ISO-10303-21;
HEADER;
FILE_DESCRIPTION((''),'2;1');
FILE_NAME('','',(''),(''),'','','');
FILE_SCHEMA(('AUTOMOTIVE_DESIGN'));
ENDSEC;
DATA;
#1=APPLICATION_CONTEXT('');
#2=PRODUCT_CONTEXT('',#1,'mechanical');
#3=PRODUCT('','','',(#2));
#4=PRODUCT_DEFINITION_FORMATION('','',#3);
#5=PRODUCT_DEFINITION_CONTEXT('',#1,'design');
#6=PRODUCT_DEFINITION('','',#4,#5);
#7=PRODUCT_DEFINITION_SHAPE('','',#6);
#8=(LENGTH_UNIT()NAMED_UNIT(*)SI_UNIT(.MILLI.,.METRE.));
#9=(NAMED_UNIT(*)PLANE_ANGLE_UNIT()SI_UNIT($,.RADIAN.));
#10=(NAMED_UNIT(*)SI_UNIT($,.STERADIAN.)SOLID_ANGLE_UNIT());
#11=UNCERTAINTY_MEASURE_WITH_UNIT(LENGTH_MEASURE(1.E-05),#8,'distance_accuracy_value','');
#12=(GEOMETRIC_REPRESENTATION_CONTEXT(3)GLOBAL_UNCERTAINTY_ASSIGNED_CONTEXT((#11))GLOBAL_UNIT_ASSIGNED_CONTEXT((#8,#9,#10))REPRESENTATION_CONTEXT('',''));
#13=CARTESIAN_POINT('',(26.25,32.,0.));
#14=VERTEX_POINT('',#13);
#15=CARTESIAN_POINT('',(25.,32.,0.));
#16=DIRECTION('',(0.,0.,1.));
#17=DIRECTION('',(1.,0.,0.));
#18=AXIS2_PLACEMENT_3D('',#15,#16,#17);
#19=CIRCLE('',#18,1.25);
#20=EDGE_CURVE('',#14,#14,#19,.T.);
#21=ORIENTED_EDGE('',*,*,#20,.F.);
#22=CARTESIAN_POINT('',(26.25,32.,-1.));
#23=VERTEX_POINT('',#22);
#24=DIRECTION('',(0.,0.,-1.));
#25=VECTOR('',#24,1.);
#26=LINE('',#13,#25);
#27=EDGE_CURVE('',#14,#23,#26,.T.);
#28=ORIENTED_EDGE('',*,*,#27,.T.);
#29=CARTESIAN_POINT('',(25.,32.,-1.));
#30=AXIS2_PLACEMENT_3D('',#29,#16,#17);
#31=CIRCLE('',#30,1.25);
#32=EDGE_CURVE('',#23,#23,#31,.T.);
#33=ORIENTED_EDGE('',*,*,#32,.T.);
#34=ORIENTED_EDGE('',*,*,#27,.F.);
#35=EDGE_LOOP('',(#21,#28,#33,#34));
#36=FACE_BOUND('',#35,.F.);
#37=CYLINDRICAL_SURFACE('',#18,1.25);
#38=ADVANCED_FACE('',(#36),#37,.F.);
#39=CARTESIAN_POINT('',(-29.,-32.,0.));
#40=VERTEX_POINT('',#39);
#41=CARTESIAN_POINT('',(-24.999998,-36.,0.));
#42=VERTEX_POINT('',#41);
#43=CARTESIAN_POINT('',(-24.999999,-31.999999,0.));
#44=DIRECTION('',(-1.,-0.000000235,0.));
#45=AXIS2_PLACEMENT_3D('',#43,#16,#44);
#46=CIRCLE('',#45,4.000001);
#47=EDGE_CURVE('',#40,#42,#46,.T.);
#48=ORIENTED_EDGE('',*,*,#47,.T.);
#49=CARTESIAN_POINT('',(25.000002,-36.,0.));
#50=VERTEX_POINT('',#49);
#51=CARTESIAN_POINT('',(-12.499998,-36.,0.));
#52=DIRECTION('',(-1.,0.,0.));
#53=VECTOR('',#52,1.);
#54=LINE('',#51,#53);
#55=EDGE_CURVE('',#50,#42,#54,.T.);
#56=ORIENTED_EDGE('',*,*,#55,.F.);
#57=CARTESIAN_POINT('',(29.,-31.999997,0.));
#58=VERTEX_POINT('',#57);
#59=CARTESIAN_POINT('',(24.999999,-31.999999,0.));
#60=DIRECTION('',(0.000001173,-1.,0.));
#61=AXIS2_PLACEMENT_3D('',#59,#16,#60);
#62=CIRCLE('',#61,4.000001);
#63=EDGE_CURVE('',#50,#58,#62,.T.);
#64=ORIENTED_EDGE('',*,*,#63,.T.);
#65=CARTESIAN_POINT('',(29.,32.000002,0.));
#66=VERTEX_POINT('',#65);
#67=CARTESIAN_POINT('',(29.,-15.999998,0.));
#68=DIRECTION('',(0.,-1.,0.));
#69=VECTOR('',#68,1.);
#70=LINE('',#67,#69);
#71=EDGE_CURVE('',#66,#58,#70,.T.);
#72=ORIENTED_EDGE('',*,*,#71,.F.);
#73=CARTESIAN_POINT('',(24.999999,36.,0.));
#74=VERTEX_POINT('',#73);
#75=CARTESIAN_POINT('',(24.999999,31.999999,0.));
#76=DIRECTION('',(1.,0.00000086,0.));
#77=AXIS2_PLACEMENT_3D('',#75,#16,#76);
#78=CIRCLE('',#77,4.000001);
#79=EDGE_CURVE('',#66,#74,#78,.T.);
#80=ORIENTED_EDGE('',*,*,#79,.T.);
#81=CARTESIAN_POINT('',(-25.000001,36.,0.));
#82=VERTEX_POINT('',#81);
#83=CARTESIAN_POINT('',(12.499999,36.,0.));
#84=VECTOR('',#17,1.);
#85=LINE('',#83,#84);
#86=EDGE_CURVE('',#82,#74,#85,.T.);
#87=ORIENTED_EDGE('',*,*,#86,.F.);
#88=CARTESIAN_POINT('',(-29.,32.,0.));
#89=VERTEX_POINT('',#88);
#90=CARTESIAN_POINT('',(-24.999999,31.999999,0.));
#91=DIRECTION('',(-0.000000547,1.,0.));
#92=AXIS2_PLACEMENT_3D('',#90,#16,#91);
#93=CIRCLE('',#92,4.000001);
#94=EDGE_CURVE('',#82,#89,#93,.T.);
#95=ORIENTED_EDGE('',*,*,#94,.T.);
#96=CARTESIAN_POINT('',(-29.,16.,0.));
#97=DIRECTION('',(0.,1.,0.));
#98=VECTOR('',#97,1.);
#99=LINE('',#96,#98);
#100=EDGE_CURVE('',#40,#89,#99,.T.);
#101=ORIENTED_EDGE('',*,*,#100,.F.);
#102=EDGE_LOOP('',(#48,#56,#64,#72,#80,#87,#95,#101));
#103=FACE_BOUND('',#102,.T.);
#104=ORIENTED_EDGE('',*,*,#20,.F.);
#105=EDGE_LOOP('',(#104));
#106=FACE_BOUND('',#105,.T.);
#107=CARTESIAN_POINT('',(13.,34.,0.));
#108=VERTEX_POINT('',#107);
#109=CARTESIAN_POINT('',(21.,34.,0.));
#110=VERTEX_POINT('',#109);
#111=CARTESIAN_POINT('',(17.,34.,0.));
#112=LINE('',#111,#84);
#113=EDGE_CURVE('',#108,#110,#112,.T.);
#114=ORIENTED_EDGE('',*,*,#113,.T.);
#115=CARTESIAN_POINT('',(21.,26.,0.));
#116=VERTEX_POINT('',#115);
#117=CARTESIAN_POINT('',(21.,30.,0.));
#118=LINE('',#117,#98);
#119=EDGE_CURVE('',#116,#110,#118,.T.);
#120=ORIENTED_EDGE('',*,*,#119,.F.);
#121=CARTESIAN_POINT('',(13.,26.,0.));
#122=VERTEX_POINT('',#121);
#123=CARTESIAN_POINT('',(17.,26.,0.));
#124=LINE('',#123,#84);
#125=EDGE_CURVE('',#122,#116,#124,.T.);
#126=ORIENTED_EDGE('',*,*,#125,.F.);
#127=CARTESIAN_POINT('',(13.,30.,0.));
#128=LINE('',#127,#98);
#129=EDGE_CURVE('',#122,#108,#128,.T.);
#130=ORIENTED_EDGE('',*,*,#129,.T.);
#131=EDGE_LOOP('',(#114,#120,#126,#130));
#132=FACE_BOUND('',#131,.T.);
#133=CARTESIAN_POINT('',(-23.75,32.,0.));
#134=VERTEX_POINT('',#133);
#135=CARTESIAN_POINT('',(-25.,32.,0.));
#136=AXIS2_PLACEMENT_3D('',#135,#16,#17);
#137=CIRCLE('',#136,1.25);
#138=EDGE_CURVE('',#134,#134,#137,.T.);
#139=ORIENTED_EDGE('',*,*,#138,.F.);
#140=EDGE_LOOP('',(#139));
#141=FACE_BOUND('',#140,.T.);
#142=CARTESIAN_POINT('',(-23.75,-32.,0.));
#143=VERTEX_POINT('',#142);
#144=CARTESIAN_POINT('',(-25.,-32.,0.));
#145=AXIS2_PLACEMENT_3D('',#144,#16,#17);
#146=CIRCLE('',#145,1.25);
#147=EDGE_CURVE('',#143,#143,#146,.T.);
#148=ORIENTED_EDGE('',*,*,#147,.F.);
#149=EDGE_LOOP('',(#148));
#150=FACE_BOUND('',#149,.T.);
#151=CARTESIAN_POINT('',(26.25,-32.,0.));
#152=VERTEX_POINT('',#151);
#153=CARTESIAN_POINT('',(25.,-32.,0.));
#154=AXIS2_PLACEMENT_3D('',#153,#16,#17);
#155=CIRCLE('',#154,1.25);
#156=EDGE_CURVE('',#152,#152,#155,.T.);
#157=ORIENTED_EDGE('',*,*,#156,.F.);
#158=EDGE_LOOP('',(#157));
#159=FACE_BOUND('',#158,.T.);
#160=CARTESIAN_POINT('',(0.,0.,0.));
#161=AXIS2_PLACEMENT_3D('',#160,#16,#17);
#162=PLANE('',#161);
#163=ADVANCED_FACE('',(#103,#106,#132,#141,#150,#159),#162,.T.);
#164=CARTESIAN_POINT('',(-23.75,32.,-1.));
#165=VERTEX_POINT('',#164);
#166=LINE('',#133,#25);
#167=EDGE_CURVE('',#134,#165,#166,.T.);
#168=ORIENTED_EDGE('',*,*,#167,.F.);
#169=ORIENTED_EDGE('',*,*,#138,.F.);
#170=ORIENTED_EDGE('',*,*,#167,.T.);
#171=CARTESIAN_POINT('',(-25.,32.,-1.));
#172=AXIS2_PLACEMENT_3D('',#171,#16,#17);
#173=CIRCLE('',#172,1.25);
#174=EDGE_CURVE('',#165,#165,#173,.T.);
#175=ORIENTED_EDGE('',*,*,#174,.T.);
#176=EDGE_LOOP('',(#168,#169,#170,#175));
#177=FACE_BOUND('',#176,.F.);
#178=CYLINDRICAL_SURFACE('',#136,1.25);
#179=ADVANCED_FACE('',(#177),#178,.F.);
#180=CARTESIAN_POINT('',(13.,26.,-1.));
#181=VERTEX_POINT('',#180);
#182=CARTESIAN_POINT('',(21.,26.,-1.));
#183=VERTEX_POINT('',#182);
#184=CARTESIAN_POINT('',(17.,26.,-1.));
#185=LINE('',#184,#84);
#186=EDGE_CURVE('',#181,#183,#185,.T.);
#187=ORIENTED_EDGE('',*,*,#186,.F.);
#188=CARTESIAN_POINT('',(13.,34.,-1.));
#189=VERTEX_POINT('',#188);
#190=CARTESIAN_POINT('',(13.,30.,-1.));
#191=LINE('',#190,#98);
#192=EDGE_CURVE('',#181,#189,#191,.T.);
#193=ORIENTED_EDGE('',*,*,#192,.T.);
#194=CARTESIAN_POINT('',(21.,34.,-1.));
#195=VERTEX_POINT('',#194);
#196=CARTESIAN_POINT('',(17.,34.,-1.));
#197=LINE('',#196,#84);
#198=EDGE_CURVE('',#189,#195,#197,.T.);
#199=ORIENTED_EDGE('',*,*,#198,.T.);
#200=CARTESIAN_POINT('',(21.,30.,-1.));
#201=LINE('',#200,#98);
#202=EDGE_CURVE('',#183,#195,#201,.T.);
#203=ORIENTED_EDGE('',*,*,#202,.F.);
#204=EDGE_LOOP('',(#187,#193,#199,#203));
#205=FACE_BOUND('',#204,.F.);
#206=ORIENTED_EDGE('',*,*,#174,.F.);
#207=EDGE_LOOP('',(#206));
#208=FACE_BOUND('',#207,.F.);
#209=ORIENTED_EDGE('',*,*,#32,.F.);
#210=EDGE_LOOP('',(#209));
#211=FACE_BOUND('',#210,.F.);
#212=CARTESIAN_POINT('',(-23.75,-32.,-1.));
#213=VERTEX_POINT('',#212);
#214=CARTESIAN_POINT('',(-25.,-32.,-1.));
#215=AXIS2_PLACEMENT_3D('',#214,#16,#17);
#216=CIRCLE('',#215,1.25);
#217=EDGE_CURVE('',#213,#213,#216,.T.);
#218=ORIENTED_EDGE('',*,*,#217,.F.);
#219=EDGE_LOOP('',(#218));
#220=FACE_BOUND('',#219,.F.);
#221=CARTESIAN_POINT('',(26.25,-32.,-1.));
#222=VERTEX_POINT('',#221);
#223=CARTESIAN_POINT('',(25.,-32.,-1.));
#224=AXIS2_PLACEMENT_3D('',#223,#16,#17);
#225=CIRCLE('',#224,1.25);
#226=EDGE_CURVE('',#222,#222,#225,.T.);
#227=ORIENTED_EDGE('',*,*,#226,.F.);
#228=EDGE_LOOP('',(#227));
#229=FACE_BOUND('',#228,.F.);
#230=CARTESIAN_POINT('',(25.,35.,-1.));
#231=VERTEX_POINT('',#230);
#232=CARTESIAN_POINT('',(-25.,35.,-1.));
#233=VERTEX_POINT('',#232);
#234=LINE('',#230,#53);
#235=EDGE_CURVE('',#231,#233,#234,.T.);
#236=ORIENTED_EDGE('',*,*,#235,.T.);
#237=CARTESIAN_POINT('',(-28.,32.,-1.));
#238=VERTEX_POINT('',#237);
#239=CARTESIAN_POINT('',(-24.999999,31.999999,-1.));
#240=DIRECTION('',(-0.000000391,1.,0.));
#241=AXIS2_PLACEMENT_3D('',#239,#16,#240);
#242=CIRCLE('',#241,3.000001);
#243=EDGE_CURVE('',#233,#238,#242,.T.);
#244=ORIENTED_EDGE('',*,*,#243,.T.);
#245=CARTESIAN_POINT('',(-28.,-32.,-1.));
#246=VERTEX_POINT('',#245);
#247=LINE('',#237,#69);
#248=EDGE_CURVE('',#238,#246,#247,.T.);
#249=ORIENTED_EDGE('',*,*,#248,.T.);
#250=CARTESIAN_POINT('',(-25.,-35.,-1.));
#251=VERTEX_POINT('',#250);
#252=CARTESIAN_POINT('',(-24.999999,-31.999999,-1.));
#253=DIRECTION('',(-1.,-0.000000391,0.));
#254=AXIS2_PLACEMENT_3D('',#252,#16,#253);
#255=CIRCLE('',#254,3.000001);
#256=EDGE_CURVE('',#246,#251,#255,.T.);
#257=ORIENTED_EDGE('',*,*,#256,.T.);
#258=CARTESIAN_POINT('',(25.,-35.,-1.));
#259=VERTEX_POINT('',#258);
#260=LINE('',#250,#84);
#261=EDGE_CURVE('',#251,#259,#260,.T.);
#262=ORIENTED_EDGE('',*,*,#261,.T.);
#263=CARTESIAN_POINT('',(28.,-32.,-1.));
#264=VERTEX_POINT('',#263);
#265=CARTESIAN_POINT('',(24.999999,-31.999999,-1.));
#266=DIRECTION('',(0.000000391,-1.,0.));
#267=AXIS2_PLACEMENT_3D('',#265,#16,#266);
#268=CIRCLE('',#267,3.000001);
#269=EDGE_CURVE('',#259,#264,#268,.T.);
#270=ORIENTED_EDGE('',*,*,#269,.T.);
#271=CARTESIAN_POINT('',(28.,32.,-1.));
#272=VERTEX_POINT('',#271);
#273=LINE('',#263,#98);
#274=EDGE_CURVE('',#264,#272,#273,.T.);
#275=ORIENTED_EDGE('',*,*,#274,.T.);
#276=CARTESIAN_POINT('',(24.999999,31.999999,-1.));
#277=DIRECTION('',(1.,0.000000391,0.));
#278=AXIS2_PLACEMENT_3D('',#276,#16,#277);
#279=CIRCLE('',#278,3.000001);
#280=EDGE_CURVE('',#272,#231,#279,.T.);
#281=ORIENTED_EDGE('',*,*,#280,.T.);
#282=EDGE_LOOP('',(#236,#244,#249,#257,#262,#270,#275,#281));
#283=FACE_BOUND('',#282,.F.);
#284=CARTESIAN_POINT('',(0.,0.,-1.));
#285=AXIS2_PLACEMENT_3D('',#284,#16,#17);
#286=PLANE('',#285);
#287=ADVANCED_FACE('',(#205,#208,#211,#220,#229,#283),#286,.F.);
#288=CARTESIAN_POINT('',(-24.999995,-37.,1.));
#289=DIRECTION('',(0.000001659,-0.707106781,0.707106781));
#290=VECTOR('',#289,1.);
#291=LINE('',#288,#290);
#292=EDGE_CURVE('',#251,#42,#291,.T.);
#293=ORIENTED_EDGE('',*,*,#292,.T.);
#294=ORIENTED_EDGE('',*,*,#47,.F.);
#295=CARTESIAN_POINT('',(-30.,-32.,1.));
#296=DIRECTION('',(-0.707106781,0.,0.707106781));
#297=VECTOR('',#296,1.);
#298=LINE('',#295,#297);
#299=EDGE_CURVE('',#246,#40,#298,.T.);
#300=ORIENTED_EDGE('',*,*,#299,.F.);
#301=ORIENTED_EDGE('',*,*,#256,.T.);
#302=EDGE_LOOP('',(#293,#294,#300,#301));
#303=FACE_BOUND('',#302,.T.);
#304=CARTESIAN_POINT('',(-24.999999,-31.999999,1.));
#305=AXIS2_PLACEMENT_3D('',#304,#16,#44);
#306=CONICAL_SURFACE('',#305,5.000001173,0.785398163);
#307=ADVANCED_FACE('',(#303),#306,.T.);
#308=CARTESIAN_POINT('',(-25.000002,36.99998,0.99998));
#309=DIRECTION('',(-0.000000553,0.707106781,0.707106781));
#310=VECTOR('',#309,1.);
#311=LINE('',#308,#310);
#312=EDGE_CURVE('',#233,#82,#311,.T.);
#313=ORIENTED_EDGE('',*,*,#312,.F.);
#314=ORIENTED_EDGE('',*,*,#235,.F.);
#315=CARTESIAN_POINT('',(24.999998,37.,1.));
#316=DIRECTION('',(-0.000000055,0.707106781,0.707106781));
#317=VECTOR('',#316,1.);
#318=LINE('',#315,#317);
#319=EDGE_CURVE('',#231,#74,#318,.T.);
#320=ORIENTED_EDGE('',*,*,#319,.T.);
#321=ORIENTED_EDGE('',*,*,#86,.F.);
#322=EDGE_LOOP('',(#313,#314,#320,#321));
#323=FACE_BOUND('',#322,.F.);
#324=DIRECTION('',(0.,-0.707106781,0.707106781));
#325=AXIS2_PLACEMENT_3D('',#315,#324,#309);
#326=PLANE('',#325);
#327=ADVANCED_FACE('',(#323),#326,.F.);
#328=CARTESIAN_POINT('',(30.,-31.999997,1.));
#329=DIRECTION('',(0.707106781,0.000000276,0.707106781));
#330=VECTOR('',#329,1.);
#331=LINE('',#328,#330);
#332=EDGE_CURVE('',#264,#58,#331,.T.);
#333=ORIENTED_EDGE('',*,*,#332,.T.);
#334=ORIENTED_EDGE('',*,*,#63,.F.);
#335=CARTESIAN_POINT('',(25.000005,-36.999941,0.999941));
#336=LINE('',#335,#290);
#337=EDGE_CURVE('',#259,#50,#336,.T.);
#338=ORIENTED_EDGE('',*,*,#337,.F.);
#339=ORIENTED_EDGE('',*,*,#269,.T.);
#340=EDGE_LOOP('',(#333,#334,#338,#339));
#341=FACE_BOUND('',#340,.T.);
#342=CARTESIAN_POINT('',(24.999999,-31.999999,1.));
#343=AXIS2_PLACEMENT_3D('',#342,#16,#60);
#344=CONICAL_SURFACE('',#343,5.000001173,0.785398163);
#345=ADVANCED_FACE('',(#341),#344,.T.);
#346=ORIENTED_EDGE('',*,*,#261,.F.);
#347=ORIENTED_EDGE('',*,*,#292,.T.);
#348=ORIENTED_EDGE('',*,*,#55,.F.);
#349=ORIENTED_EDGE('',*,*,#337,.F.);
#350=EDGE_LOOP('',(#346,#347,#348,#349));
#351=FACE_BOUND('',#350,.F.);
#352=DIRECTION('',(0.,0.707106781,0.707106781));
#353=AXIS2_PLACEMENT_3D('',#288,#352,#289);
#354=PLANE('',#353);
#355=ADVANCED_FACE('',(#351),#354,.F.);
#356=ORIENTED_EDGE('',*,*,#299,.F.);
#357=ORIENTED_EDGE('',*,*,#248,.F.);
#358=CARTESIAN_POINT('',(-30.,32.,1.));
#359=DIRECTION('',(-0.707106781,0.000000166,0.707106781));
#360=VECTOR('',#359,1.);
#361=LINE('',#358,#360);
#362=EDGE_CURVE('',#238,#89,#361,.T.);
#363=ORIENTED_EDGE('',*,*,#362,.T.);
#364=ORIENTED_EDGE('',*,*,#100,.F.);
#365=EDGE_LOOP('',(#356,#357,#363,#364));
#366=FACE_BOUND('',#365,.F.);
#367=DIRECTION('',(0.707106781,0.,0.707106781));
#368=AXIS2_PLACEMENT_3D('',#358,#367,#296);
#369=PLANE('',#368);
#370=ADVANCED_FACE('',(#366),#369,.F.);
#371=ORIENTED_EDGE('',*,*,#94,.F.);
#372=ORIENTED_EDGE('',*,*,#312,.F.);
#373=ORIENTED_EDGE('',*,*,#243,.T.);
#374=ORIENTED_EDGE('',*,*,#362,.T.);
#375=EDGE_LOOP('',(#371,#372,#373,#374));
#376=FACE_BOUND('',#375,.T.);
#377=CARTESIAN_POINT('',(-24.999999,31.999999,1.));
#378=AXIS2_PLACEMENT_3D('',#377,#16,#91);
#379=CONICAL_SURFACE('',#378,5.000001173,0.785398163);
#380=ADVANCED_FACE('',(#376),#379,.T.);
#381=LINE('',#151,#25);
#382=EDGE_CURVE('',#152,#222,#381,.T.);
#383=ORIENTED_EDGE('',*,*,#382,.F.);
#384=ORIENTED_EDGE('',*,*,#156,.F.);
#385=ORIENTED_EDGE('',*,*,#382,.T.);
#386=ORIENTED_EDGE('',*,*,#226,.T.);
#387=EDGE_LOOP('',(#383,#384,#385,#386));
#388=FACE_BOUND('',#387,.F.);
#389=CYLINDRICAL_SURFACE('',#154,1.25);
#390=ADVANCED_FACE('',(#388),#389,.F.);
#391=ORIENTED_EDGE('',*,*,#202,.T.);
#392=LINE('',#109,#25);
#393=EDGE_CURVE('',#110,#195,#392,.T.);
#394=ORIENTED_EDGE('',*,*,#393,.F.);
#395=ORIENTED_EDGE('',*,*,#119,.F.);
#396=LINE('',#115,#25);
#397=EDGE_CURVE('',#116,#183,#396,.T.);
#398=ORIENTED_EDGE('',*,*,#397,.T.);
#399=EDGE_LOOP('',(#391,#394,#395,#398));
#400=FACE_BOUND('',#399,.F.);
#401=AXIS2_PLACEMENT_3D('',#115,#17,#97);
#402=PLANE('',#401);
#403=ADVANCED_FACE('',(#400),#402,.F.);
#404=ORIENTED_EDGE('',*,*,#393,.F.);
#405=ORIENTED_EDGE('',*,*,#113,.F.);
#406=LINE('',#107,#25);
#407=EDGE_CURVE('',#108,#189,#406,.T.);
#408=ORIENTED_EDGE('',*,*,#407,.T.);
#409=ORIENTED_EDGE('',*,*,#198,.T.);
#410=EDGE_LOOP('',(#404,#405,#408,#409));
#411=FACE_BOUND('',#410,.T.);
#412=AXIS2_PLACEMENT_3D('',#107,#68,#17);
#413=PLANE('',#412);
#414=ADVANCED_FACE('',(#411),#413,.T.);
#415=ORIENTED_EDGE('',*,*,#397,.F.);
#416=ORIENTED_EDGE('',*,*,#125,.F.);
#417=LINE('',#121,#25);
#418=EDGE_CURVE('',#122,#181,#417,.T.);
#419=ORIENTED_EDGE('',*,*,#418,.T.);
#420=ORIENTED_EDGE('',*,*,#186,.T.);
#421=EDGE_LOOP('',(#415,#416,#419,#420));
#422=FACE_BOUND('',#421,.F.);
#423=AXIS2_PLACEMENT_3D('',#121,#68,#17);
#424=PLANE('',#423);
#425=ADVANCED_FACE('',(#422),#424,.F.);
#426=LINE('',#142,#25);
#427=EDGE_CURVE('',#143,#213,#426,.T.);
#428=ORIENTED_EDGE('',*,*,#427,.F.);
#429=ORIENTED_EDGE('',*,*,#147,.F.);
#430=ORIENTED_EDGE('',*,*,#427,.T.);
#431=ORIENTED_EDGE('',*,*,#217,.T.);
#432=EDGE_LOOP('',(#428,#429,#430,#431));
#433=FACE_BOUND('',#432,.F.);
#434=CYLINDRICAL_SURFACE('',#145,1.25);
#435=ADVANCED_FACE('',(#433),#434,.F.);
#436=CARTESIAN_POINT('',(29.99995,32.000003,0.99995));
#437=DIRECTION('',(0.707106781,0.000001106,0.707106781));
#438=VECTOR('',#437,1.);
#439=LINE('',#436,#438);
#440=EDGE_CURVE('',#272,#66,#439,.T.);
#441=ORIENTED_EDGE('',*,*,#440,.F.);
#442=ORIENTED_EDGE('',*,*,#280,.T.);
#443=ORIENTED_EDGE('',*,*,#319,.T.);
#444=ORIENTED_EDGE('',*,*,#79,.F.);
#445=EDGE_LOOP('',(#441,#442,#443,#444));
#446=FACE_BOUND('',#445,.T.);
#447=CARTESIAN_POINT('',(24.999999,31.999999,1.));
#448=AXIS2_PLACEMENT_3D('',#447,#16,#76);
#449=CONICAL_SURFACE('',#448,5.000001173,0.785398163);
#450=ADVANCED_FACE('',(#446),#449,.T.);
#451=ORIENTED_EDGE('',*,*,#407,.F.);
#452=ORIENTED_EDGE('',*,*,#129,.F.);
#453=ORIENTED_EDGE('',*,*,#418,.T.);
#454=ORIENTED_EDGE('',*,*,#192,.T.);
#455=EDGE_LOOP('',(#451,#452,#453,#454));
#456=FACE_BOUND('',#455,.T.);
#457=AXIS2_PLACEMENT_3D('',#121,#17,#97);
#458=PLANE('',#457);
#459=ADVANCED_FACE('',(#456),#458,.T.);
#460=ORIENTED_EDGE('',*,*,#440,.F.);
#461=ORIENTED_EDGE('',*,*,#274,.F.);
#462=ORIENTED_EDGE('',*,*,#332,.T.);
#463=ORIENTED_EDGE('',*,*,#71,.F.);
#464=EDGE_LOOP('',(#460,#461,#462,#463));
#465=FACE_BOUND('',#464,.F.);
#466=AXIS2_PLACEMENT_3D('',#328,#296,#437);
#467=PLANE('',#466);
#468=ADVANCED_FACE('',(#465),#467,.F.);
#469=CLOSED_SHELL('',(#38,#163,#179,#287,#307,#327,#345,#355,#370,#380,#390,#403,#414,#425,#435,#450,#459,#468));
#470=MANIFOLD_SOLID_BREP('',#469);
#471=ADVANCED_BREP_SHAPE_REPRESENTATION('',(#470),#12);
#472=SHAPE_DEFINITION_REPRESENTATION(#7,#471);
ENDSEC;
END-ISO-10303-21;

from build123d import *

# Parameters (mm, degrees)
SKETCH039_W      = 60
SKETCH039_H      = 74
SKETCH039_R      = 1.25
SKETCH039_W_2    = 8
SKETCH039_H_2    = 8
EXTRUDE040_DEPTH = 1


with BuildPart() as bevel001:
    # Sweep002: sweep along a path in Sketch041
    with BuildLine(Plane(origin=(0, 0, -2), x_dir=(1, 0, 0), z_dir=(0, 0, -1))) as sweep002_path:
        Line((-25, 35), (25, 35))
        ThreePointArc((25, 35), (27.12132, 34.12132), (28, 32))
        Line((28, 32), (28, -32))
        ThreePointArc((28, -32), (27.12132, -34.12132), (25, -35))
        Line((25, -35), (-25, -35))
        ThreePointArc((-25, -35), (-27.12132, -34.12132), (-28, -32))
        Line((-28, -32), (-28, 32))
        ThreePointArc((-28, 32), (-27.12132, 34.12132), (-25, 35))
    # Sketch040 → Sweep002 (sweep)
    with BuildSketch(Plane.XZ):
        Polygon((-28, 11), (-30, 9), (-30, 1), (-28, -1), (-28, -2), (-33, -2), (-33, 12), (-28, 12), align=None)
    sweep(path=sweep002_path.line)


with BuildPart() as cut026:
    # Sketch039 → Extrude040 (new body)
    with BuildSketch(Plane.XY):
        Rectangle(SKETCH039_W, SKETCH039_H)
        with Locations((-25, 32)):
            Circle(SKETCH039_R, mode=Mode.SUBTRACT)
        with Locations((25, 32)):
            Circle(SKETCH039_R, mode=Mode.SUBTRACT)
        with Locations((-25, -32)):
            Circle(SKETCH039_R, mode=Mode.SUBTRACT)
        with Locations((25, -32)):
            Circle(SKETCH039_R, mode=Mode.SUBTRACT)
        with Locations((17, 30)):
            Rectangle(SKETCH039_W_2, SKETCH039_H_2, mode=Mode.SUBTRACT)
    extrude(amount=-EXTRUDE040_DEPTH)

    # Cut026: cut bevel001
    add(bevel001.part, mode=Mode.SUBTRACT)


solid = cut026.part
